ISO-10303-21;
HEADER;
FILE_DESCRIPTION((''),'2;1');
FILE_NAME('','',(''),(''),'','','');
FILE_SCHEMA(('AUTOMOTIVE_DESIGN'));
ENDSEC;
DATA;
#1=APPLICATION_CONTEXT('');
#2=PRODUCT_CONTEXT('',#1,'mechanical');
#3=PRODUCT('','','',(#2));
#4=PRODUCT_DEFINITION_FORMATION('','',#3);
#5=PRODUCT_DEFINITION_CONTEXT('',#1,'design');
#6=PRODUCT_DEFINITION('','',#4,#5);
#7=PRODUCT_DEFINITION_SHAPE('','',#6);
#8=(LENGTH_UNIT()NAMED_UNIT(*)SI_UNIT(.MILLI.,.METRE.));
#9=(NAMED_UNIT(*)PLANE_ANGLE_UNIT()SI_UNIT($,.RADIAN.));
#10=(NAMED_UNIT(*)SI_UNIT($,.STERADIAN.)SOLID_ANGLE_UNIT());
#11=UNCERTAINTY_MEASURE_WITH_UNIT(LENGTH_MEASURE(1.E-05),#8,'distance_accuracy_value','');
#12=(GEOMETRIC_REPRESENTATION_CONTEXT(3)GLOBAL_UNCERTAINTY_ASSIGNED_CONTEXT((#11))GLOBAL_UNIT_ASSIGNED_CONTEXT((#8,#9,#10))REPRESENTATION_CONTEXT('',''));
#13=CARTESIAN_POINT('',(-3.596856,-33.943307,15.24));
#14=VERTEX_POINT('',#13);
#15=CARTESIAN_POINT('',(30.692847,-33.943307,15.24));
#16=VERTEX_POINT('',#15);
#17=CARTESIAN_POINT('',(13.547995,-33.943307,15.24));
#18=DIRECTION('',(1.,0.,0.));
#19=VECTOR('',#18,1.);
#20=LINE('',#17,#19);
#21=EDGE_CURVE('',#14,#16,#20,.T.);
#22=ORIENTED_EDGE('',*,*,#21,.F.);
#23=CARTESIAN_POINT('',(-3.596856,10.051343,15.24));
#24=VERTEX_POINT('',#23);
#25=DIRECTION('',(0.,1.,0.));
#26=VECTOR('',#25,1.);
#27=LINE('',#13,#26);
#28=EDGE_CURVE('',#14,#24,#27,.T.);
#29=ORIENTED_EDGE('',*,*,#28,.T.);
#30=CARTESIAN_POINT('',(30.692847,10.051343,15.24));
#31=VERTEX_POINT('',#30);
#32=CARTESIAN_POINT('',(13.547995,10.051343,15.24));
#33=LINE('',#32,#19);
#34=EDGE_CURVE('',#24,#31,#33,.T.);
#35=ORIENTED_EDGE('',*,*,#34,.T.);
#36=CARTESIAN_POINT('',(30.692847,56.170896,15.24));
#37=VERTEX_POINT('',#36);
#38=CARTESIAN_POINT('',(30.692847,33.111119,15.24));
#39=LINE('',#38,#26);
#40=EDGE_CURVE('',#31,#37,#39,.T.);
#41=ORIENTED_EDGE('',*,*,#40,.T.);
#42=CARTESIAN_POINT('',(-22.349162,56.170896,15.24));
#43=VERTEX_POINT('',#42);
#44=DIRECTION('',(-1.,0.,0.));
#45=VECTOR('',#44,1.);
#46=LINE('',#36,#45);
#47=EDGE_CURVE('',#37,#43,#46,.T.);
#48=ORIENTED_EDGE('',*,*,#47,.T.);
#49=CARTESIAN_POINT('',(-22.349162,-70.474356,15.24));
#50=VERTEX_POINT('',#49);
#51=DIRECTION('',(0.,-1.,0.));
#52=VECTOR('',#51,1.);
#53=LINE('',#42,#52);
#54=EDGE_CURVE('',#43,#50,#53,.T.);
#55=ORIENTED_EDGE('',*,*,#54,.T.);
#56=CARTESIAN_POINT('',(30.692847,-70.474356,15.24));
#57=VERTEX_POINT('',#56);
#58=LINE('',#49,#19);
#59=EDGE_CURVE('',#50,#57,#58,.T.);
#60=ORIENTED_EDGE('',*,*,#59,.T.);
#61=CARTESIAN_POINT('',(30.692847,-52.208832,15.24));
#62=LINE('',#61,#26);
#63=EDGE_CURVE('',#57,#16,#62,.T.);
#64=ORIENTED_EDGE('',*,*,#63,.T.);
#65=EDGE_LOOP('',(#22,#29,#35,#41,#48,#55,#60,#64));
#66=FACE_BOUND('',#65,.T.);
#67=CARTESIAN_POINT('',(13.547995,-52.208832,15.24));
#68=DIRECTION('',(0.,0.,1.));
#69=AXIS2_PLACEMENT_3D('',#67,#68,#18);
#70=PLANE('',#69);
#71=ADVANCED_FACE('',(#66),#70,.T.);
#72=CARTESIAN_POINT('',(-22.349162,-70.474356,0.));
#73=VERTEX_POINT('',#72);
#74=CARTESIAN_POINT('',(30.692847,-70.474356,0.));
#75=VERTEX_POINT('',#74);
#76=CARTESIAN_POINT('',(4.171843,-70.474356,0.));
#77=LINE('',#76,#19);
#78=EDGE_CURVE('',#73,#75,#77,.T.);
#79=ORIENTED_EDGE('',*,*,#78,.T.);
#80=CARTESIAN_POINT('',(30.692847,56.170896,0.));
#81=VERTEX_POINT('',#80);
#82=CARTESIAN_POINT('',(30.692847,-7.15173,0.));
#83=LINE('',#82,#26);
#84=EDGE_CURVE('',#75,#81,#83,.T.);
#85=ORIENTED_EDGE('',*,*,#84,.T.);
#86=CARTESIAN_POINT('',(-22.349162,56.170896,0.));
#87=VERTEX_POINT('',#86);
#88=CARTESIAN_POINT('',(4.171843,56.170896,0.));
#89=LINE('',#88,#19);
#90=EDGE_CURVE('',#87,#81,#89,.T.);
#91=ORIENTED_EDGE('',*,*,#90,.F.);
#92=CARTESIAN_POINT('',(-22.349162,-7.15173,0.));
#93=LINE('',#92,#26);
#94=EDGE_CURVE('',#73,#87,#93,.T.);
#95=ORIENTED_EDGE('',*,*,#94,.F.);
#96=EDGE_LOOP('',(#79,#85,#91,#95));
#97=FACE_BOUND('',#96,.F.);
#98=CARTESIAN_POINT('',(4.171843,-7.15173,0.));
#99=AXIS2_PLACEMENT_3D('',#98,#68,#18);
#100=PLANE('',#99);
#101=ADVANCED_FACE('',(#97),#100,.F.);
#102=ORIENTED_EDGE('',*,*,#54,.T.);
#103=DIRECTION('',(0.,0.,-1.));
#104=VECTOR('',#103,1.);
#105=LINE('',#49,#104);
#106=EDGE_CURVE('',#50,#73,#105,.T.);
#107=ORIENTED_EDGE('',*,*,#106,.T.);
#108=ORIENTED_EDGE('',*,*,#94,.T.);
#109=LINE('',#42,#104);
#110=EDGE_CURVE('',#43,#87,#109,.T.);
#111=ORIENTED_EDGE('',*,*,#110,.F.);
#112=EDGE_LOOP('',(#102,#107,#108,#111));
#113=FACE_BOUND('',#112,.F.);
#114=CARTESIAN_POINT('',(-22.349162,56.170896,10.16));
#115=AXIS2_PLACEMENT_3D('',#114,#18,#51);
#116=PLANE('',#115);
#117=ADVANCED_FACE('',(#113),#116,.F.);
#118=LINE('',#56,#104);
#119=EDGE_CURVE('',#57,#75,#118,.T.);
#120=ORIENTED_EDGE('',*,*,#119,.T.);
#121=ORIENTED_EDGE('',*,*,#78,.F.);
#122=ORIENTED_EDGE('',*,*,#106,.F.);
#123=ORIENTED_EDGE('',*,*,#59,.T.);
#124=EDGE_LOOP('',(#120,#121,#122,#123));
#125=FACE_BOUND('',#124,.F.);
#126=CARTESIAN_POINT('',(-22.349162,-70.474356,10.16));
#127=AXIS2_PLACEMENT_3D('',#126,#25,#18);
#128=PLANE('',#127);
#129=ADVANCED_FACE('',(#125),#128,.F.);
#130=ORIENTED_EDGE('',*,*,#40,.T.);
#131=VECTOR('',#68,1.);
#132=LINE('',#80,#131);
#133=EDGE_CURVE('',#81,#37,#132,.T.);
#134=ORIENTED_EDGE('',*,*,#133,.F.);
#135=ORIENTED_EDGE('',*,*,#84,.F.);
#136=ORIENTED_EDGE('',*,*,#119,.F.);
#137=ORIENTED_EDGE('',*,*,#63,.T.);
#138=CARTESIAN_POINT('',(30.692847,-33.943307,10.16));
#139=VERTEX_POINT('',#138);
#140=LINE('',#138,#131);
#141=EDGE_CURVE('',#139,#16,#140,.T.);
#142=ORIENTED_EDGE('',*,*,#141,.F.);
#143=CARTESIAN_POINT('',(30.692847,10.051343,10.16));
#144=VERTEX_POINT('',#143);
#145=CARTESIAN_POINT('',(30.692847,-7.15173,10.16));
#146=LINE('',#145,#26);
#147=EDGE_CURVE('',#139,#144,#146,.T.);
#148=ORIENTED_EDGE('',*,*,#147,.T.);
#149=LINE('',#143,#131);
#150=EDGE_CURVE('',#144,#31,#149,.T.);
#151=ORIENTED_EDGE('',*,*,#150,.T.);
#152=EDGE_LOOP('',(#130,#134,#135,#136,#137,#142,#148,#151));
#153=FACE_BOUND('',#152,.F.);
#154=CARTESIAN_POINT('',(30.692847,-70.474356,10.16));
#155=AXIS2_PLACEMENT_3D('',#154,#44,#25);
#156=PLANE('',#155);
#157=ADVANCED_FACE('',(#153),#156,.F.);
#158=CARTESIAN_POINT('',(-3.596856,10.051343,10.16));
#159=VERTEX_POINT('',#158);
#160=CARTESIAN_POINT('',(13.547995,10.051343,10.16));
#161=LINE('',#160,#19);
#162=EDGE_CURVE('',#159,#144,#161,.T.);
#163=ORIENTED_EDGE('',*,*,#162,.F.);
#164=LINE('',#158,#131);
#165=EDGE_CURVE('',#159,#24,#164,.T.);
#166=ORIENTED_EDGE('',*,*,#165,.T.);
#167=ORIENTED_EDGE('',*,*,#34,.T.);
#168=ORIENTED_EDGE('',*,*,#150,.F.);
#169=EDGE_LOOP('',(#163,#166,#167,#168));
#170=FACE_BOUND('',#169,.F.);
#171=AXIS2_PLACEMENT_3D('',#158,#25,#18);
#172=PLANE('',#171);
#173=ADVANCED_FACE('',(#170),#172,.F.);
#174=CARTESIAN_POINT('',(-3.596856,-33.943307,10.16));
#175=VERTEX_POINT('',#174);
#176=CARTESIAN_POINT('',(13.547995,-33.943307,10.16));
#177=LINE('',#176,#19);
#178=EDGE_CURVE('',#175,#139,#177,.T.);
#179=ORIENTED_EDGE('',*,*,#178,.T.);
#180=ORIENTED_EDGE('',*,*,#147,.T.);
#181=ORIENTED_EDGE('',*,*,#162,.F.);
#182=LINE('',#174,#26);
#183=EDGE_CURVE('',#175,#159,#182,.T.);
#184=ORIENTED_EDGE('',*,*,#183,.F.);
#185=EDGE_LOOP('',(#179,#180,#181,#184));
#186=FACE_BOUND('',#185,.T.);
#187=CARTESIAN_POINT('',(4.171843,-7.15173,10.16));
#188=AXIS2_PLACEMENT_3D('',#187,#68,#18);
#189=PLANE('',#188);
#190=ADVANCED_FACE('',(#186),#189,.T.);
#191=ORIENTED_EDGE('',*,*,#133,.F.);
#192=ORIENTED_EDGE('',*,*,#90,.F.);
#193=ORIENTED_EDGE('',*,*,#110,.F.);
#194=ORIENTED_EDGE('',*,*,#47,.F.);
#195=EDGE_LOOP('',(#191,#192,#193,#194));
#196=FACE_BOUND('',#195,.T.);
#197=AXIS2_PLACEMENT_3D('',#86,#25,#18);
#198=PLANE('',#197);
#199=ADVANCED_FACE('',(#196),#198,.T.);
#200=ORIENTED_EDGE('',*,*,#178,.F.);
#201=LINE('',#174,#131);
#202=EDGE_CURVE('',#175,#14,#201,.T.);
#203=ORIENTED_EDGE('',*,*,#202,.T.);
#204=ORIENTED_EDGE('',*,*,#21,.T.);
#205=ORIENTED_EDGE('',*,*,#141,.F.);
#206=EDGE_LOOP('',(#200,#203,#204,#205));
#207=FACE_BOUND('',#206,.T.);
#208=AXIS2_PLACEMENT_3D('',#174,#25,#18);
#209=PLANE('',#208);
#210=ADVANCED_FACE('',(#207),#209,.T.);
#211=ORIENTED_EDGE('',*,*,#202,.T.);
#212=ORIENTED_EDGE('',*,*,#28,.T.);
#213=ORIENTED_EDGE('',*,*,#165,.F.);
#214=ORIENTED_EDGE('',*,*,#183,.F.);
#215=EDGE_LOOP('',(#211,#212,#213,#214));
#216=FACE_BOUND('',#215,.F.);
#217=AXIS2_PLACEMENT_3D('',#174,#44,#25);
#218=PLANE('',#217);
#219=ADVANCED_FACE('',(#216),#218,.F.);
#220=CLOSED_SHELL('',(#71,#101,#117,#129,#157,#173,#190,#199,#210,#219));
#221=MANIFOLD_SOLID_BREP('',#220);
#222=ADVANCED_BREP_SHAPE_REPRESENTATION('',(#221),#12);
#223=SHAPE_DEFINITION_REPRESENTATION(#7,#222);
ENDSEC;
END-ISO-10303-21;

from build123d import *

# Parameters (mm, degrees)
F0_W     = 53.0420094728
F0_H     = 126.6452521086
F1_DEPTH = 10.16
F2_W     = 34.2897039372
F2_H     = 36.5310497582
F2_H_2   = 46.119553037
F3_DEPTH = 5.08


with BuildPart() as f1:
    # F0 (on Top) → F1 (new body)
    with BuildSketch(Plane.XY):
        with Locations((4.1718427092, -7.1517303586)):
            Rectangle(F0_W, F0_H)
    extrude(amount=F1_DEPTH)

    # F2 (on face) → F3 (join)
    with BuildSketch(Plane.XY.offset(10.16)):
        with Locations((13.547995477, -52.2088315338)):
            Rectangle(F2_W, F2_H)
        Polygon((-22.3491620272, 56.1708956957), (-22.3491620272, -70.4743564129), (-3.5968564916, -70.4743564129), (-3.5968564916, -33.9433066547), (-3.5968564916, 10.0513426587), (-3.5968564916, 56.1708956957), align=None)
        with Locations((13.547995477, 33.1111191772)):
            Rectangle(F2_W, F2_H_2)
    extrude(amount=F3_DEPTH)


solid = f1.part
